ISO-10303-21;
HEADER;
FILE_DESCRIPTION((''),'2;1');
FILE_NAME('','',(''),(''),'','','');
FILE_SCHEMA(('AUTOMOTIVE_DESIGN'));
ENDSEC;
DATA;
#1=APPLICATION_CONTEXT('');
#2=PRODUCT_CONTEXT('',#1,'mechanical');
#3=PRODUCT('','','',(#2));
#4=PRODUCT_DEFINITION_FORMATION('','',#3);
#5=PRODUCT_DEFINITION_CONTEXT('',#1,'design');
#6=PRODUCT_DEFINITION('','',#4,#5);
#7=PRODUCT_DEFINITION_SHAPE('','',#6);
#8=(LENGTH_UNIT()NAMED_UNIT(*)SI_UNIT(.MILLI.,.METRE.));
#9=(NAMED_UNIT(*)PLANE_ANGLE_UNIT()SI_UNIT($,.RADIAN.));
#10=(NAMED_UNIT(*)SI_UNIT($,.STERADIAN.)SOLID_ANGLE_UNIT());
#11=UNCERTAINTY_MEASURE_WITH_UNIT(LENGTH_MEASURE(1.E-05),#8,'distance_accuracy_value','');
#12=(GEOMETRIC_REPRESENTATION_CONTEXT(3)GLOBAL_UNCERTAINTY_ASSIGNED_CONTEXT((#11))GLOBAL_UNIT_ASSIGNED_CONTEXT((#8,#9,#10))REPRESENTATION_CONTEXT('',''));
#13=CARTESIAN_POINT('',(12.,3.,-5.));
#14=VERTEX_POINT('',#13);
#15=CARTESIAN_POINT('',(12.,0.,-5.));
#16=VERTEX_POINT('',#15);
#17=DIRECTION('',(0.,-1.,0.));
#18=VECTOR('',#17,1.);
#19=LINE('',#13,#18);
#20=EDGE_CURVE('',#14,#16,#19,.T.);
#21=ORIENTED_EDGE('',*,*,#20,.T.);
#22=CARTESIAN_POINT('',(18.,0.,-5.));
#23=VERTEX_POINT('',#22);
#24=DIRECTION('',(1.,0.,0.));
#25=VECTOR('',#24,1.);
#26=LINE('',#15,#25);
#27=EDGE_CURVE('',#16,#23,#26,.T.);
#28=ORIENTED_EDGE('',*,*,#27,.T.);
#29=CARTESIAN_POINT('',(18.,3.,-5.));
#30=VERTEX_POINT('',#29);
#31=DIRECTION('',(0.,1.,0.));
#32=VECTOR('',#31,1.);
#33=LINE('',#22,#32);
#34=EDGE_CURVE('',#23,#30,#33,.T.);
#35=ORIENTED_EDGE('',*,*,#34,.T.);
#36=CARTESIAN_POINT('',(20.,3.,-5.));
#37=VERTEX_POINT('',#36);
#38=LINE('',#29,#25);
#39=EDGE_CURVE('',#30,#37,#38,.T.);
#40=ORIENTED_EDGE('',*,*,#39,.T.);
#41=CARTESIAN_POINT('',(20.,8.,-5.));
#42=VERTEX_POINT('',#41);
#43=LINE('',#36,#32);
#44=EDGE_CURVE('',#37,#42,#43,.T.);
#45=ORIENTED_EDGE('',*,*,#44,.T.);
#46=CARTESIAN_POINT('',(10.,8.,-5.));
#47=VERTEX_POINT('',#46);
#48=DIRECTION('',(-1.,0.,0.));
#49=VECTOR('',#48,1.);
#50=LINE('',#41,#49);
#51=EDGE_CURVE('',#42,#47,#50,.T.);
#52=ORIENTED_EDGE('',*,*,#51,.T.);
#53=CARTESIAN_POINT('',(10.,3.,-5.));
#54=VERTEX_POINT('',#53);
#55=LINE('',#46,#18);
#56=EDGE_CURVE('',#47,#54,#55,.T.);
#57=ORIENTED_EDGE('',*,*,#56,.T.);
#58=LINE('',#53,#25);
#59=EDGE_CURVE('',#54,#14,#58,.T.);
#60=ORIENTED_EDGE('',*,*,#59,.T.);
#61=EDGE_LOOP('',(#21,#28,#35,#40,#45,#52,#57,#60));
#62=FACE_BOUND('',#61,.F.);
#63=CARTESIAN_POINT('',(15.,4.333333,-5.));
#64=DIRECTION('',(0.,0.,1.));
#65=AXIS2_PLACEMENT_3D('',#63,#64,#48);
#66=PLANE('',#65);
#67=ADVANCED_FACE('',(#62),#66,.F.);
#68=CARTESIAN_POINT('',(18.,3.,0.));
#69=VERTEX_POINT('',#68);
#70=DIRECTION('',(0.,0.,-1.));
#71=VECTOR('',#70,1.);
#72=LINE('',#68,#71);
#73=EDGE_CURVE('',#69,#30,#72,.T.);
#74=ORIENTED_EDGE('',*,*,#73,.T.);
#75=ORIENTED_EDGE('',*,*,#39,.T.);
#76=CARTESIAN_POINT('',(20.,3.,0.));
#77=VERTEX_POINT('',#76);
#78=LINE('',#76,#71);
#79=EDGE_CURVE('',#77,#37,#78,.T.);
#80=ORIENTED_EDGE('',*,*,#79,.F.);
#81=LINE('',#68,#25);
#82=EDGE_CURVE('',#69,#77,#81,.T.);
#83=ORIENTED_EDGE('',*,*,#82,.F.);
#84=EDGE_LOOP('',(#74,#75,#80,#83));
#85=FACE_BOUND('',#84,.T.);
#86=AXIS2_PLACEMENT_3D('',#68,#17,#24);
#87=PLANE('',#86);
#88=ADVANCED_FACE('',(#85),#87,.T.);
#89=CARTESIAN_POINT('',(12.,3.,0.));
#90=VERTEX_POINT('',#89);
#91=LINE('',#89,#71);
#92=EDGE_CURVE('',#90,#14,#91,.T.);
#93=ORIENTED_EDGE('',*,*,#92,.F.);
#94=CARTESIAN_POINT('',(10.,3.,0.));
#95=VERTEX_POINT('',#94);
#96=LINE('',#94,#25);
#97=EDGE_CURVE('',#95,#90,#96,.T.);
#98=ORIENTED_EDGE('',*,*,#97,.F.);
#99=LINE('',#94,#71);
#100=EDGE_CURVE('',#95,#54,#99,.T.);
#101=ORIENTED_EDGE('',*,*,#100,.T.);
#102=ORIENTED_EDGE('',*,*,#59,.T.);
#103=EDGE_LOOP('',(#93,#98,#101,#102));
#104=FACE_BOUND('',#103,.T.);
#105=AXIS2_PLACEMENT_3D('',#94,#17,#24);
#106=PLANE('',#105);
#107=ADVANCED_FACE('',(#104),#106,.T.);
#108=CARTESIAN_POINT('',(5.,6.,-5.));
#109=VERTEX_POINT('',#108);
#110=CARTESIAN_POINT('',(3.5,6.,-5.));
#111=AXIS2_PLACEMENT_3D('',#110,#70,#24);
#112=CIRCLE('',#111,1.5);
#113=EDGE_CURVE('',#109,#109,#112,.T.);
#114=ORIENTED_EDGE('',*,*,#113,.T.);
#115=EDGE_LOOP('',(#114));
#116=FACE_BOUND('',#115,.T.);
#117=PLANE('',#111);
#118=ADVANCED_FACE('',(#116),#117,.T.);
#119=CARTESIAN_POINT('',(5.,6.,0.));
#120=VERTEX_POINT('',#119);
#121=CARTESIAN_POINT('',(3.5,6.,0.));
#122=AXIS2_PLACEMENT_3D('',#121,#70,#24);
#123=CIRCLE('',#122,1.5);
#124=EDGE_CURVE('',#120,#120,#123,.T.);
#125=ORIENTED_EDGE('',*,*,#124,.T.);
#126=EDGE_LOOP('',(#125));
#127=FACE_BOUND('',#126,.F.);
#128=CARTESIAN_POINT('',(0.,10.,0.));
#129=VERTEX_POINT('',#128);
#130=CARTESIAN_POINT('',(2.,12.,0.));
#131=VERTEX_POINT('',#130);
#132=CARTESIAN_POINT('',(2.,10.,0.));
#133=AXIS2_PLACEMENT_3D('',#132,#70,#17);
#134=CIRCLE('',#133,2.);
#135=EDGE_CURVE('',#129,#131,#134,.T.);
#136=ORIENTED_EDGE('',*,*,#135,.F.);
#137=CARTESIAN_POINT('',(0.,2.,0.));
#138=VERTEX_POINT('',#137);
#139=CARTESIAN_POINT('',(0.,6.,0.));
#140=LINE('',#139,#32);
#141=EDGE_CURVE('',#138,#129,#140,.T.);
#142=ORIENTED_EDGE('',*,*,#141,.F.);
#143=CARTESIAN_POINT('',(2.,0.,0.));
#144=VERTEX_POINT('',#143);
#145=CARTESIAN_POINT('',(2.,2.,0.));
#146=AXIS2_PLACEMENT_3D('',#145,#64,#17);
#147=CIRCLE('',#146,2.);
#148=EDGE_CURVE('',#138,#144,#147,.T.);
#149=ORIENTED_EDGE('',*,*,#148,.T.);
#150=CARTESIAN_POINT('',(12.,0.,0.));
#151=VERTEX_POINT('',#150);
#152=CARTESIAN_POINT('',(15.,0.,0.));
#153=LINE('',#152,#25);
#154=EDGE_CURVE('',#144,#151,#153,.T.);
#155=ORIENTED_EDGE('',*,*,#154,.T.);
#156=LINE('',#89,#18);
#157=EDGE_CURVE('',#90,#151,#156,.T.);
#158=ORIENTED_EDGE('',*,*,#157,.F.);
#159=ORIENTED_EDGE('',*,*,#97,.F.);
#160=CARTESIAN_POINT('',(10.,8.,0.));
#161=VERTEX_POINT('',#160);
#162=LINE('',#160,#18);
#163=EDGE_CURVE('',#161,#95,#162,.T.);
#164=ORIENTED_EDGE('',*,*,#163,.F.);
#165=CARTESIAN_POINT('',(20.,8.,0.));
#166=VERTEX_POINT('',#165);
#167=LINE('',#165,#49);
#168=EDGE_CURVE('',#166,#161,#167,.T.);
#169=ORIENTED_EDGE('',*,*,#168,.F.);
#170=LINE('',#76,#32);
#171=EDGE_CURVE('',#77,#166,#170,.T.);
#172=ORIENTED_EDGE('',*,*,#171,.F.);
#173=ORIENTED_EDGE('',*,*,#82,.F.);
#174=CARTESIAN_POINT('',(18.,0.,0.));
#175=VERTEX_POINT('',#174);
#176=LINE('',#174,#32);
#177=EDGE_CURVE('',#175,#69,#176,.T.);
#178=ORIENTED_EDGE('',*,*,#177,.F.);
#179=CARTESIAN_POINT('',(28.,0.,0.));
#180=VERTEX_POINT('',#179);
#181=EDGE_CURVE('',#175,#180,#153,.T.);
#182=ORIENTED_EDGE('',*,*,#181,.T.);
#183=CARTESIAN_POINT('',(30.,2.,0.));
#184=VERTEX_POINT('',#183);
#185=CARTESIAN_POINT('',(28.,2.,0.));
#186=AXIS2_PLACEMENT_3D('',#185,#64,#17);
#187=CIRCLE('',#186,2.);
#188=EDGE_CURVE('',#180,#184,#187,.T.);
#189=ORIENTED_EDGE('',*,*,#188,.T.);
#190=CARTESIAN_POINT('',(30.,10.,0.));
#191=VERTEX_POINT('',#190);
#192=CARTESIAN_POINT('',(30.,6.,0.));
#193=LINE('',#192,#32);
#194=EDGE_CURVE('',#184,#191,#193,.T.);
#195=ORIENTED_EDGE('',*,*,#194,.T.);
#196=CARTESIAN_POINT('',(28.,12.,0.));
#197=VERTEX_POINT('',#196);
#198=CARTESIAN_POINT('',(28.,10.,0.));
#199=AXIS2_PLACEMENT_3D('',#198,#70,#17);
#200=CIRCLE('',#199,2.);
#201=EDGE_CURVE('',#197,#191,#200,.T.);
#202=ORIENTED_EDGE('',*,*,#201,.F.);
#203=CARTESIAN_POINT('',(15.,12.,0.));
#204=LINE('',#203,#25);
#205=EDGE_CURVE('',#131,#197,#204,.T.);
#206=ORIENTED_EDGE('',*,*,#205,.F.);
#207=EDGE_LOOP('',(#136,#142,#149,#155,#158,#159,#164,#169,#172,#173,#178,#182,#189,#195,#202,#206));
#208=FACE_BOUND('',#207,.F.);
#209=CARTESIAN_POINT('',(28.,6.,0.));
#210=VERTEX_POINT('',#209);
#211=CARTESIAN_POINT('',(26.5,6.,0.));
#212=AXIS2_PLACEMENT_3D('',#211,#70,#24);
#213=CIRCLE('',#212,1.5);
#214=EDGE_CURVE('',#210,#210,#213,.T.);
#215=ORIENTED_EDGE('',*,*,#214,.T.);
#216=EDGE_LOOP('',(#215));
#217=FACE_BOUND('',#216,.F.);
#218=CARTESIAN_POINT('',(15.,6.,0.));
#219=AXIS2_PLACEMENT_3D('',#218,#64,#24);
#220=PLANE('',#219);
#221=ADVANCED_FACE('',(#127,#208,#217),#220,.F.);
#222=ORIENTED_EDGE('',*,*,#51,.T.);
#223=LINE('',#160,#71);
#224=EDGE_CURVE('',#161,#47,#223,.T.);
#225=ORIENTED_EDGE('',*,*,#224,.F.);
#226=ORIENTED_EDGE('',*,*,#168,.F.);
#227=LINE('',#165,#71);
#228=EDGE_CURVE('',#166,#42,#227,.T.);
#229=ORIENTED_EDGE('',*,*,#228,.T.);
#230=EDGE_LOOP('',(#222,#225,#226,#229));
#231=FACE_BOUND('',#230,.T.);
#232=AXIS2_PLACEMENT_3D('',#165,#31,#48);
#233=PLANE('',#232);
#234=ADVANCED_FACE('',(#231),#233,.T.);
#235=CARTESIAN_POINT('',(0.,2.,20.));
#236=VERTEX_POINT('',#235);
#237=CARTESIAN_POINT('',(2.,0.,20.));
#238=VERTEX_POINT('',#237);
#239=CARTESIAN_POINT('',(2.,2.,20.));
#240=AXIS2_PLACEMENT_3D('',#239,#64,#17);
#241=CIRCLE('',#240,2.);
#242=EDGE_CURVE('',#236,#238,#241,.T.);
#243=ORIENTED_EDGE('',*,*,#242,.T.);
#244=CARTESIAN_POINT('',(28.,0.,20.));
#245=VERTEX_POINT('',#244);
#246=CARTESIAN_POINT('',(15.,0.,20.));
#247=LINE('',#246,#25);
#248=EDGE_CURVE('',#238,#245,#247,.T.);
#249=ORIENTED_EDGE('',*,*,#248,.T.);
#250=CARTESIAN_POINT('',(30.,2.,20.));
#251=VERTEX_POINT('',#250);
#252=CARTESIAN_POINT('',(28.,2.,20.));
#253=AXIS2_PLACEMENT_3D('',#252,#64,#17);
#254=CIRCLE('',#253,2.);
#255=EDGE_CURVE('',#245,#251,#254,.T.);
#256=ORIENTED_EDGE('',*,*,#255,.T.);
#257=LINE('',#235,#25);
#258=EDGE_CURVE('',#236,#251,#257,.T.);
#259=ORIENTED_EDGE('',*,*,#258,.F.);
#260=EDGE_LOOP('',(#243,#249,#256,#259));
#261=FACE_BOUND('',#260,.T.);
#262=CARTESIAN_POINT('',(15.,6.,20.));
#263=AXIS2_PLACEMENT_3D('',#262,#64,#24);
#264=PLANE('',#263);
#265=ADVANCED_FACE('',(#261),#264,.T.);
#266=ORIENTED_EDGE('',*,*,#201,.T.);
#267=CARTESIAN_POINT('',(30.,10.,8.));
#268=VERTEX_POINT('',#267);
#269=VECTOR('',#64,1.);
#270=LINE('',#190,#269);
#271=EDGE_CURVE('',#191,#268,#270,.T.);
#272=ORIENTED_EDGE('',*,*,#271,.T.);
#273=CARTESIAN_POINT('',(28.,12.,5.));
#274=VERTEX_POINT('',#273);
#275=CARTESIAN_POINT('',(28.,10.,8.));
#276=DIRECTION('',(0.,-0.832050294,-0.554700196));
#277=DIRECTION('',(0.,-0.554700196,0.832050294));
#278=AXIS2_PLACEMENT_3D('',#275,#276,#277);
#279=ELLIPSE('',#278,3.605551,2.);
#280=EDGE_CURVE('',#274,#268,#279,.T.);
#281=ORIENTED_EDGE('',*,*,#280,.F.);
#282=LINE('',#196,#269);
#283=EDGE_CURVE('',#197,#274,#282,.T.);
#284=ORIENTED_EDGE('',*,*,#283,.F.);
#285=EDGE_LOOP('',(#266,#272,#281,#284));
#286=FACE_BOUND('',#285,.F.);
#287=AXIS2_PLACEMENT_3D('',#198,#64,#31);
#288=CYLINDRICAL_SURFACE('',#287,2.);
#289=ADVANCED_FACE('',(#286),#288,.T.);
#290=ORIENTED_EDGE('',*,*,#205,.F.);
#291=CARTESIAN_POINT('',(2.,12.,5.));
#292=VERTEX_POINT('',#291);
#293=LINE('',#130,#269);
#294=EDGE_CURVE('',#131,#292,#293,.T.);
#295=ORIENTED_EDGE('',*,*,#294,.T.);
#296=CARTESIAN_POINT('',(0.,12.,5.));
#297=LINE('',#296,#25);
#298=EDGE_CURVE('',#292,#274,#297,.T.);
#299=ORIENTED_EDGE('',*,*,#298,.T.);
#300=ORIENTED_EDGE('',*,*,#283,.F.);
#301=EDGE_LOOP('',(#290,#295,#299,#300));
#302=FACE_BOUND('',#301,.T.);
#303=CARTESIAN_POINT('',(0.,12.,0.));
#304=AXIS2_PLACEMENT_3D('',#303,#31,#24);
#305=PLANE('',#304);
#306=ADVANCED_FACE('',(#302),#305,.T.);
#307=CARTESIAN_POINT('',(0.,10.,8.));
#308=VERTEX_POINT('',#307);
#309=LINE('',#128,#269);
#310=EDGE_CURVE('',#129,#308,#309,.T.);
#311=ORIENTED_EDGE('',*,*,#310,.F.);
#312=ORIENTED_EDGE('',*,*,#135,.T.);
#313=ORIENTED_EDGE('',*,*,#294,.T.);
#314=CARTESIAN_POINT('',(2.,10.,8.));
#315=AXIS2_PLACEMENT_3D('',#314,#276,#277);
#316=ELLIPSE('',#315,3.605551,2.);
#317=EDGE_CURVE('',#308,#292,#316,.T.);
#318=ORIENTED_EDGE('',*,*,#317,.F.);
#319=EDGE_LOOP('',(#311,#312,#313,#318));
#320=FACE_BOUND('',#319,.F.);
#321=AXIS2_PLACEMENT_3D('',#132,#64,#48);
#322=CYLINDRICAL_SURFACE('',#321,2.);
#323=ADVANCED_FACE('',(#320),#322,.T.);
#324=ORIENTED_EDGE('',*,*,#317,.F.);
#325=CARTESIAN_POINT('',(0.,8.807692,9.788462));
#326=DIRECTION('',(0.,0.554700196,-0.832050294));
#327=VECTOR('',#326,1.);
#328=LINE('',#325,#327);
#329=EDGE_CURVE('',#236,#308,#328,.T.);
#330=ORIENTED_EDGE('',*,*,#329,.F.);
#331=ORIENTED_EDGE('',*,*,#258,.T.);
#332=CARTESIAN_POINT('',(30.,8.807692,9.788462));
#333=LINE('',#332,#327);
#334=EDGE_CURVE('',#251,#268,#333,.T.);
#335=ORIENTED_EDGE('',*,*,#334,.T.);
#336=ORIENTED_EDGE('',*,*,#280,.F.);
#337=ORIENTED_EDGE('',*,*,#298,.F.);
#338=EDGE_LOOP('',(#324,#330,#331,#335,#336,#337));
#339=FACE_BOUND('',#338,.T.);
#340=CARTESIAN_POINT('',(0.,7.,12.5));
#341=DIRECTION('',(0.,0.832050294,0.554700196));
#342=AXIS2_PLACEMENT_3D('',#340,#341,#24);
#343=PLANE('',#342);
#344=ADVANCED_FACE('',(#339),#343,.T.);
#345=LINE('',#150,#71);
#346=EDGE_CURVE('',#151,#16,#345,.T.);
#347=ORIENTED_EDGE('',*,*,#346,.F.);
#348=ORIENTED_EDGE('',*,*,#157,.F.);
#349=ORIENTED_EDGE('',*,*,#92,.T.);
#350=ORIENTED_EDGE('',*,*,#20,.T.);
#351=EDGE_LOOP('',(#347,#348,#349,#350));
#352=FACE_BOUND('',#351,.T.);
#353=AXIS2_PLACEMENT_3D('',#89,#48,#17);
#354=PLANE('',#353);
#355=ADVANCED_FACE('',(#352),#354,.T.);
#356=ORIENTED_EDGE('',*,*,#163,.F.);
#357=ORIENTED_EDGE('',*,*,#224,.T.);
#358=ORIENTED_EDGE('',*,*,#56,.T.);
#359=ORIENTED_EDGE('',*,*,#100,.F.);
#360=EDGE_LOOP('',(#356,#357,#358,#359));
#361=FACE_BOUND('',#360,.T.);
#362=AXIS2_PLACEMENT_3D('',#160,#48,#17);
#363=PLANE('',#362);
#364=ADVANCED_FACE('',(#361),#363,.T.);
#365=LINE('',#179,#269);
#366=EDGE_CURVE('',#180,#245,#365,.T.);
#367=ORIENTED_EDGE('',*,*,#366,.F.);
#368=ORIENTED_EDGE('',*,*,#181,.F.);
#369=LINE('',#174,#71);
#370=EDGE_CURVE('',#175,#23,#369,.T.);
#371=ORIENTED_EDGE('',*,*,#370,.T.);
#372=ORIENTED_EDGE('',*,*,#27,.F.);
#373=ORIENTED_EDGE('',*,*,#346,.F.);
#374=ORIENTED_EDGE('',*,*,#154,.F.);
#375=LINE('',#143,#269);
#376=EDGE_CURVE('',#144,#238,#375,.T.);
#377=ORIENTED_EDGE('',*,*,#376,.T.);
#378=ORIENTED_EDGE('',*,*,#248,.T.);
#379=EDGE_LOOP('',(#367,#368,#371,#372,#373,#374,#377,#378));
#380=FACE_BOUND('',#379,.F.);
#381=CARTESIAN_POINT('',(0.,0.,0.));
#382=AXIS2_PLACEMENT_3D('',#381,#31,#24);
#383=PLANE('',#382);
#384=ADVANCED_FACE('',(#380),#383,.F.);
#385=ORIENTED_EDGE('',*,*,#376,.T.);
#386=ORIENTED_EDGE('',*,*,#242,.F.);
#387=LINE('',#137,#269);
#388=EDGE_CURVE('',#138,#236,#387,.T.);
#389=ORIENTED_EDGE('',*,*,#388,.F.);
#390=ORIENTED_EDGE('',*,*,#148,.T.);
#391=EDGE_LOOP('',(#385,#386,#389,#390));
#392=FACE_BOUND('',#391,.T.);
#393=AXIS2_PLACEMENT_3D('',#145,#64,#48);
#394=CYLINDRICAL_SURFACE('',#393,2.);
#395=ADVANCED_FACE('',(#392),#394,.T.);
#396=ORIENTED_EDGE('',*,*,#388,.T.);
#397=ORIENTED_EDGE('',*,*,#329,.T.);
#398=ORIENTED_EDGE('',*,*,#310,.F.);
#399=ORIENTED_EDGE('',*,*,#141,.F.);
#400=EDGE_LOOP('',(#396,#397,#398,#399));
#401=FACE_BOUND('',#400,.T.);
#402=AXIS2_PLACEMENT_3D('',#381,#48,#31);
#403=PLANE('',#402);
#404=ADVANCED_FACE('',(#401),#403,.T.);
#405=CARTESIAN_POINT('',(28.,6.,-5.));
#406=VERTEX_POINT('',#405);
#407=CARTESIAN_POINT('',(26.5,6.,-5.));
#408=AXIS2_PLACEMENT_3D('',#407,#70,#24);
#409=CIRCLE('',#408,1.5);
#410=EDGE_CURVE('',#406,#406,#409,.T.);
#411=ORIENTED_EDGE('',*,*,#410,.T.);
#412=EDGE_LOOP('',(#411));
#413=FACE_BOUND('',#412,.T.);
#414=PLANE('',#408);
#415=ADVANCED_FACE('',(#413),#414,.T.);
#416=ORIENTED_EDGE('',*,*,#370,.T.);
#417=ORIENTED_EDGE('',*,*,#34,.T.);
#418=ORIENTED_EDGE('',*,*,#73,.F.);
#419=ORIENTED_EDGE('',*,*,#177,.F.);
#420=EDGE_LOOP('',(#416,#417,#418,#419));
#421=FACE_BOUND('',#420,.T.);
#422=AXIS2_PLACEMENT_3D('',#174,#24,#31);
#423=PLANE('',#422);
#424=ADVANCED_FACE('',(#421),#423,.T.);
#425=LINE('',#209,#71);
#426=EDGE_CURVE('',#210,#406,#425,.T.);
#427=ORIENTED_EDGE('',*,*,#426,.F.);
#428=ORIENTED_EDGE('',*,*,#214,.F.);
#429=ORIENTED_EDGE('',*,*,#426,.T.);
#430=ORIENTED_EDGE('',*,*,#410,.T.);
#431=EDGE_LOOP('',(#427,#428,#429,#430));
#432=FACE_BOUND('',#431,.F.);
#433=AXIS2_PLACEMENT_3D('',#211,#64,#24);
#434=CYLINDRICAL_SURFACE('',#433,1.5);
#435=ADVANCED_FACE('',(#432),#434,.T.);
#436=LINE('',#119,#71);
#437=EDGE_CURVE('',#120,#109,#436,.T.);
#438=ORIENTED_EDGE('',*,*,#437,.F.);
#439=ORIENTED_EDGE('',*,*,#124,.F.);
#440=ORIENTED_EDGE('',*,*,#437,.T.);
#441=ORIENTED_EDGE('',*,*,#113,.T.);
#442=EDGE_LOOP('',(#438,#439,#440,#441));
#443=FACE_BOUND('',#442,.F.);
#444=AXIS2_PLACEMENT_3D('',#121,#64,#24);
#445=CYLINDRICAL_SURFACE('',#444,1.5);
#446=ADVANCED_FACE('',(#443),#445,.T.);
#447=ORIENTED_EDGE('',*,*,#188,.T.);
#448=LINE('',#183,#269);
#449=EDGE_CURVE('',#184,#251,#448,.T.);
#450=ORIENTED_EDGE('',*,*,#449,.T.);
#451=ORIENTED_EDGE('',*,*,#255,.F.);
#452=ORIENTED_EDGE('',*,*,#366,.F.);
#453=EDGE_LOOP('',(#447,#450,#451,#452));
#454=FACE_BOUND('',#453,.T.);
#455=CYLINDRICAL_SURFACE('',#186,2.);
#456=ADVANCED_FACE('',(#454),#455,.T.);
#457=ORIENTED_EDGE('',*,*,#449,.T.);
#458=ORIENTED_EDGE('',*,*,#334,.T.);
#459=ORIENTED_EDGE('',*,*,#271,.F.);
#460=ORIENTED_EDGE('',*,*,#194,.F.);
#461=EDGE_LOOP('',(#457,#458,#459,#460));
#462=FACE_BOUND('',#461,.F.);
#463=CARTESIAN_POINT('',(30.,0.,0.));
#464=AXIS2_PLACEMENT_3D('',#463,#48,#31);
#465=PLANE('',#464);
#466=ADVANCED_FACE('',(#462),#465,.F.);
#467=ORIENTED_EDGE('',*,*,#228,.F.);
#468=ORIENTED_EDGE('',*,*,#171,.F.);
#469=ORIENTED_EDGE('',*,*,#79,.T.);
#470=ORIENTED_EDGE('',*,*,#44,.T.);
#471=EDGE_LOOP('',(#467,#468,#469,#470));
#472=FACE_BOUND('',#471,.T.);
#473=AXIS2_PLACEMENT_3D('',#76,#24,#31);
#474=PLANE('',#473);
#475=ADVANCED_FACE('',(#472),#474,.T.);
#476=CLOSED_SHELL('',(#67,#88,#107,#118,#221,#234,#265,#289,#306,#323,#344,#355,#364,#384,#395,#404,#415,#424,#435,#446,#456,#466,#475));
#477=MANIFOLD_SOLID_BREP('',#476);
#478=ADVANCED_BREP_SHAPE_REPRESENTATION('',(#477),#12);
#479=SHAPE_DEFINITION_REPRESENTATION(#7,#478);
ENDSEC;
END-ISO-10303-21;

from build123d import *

# Parameters (mm, degrees)
SKETCH_W      = 30
SKETCH_H      = 12
PAD_DEPTH     = 20
PAD001_DEPTH  = 5
SKETCH002_R   = 1.5
PAD002_DEPTH  = 5
CHAMFER_SIZE2 = 15
CHAMFER_SIZE  = 10
FILLET_R      = 2


with BuildPart() as part:
    # Sketch → Pad (new body)
    with BuildSketch(Plane.XY):
        with Locations((15, 6)):
            Rectangle(SKETCH_W, SKETCH_H)
    extrude(amount=PAD_DEPTH)

    # Sketch001 (on Face5 of Pad) → Pad001 (join)
    with BuildSketch(Plane(origin=(0, 0, 0), x_dir=(1, 0, 0), z_dir=(0, 0, -1))):
        Polygon((12, 0), (18, 0), (18, -3), (20, -3), (20, -8), (10, -8), (10, -3), (12, -3), align=None)
    extrude(amount=PAD001_DEPTH)

    # Sketch002 (on Face4 of Pad001) → Pad002 (join)
    with BuildSketch(Plane(origin=(0, 0, 0), x_dir=(1, 0, 0), z_dir=(0, 0, -1))):
        with Locations((3.5, -6)):
            Circle(SKETCH002_R)
        with Locations((26.5, -6)):
            Circle(SKETCH002_R)
    extrude(amount=PAD002_DEPTH)

    # Chamfer
    chamfer_edges = [part.edges().sort_by_distance(p)[0] for p in [
        (15, 12, 20),
    ]]
    chamfer_side = part.faces().sort_by_distance((15, 6, 20))[0]
    chamfer(chamfer_edges, length=CHAMFER_SIZE, length2=CHAMFER_SIZE2, reference=chamfer_side)

    # Fillet
    fillet_edges = [part.edges().sort_by_distance(p)[0] for p in [
        (0, 12, 2.5),
        (0, 0, 10),
        (30, 12, 2.5),
        (30, 0, 10),
    ]]
    fillet(fillet_edges, radius=FILLET_R)


solid = part.part
